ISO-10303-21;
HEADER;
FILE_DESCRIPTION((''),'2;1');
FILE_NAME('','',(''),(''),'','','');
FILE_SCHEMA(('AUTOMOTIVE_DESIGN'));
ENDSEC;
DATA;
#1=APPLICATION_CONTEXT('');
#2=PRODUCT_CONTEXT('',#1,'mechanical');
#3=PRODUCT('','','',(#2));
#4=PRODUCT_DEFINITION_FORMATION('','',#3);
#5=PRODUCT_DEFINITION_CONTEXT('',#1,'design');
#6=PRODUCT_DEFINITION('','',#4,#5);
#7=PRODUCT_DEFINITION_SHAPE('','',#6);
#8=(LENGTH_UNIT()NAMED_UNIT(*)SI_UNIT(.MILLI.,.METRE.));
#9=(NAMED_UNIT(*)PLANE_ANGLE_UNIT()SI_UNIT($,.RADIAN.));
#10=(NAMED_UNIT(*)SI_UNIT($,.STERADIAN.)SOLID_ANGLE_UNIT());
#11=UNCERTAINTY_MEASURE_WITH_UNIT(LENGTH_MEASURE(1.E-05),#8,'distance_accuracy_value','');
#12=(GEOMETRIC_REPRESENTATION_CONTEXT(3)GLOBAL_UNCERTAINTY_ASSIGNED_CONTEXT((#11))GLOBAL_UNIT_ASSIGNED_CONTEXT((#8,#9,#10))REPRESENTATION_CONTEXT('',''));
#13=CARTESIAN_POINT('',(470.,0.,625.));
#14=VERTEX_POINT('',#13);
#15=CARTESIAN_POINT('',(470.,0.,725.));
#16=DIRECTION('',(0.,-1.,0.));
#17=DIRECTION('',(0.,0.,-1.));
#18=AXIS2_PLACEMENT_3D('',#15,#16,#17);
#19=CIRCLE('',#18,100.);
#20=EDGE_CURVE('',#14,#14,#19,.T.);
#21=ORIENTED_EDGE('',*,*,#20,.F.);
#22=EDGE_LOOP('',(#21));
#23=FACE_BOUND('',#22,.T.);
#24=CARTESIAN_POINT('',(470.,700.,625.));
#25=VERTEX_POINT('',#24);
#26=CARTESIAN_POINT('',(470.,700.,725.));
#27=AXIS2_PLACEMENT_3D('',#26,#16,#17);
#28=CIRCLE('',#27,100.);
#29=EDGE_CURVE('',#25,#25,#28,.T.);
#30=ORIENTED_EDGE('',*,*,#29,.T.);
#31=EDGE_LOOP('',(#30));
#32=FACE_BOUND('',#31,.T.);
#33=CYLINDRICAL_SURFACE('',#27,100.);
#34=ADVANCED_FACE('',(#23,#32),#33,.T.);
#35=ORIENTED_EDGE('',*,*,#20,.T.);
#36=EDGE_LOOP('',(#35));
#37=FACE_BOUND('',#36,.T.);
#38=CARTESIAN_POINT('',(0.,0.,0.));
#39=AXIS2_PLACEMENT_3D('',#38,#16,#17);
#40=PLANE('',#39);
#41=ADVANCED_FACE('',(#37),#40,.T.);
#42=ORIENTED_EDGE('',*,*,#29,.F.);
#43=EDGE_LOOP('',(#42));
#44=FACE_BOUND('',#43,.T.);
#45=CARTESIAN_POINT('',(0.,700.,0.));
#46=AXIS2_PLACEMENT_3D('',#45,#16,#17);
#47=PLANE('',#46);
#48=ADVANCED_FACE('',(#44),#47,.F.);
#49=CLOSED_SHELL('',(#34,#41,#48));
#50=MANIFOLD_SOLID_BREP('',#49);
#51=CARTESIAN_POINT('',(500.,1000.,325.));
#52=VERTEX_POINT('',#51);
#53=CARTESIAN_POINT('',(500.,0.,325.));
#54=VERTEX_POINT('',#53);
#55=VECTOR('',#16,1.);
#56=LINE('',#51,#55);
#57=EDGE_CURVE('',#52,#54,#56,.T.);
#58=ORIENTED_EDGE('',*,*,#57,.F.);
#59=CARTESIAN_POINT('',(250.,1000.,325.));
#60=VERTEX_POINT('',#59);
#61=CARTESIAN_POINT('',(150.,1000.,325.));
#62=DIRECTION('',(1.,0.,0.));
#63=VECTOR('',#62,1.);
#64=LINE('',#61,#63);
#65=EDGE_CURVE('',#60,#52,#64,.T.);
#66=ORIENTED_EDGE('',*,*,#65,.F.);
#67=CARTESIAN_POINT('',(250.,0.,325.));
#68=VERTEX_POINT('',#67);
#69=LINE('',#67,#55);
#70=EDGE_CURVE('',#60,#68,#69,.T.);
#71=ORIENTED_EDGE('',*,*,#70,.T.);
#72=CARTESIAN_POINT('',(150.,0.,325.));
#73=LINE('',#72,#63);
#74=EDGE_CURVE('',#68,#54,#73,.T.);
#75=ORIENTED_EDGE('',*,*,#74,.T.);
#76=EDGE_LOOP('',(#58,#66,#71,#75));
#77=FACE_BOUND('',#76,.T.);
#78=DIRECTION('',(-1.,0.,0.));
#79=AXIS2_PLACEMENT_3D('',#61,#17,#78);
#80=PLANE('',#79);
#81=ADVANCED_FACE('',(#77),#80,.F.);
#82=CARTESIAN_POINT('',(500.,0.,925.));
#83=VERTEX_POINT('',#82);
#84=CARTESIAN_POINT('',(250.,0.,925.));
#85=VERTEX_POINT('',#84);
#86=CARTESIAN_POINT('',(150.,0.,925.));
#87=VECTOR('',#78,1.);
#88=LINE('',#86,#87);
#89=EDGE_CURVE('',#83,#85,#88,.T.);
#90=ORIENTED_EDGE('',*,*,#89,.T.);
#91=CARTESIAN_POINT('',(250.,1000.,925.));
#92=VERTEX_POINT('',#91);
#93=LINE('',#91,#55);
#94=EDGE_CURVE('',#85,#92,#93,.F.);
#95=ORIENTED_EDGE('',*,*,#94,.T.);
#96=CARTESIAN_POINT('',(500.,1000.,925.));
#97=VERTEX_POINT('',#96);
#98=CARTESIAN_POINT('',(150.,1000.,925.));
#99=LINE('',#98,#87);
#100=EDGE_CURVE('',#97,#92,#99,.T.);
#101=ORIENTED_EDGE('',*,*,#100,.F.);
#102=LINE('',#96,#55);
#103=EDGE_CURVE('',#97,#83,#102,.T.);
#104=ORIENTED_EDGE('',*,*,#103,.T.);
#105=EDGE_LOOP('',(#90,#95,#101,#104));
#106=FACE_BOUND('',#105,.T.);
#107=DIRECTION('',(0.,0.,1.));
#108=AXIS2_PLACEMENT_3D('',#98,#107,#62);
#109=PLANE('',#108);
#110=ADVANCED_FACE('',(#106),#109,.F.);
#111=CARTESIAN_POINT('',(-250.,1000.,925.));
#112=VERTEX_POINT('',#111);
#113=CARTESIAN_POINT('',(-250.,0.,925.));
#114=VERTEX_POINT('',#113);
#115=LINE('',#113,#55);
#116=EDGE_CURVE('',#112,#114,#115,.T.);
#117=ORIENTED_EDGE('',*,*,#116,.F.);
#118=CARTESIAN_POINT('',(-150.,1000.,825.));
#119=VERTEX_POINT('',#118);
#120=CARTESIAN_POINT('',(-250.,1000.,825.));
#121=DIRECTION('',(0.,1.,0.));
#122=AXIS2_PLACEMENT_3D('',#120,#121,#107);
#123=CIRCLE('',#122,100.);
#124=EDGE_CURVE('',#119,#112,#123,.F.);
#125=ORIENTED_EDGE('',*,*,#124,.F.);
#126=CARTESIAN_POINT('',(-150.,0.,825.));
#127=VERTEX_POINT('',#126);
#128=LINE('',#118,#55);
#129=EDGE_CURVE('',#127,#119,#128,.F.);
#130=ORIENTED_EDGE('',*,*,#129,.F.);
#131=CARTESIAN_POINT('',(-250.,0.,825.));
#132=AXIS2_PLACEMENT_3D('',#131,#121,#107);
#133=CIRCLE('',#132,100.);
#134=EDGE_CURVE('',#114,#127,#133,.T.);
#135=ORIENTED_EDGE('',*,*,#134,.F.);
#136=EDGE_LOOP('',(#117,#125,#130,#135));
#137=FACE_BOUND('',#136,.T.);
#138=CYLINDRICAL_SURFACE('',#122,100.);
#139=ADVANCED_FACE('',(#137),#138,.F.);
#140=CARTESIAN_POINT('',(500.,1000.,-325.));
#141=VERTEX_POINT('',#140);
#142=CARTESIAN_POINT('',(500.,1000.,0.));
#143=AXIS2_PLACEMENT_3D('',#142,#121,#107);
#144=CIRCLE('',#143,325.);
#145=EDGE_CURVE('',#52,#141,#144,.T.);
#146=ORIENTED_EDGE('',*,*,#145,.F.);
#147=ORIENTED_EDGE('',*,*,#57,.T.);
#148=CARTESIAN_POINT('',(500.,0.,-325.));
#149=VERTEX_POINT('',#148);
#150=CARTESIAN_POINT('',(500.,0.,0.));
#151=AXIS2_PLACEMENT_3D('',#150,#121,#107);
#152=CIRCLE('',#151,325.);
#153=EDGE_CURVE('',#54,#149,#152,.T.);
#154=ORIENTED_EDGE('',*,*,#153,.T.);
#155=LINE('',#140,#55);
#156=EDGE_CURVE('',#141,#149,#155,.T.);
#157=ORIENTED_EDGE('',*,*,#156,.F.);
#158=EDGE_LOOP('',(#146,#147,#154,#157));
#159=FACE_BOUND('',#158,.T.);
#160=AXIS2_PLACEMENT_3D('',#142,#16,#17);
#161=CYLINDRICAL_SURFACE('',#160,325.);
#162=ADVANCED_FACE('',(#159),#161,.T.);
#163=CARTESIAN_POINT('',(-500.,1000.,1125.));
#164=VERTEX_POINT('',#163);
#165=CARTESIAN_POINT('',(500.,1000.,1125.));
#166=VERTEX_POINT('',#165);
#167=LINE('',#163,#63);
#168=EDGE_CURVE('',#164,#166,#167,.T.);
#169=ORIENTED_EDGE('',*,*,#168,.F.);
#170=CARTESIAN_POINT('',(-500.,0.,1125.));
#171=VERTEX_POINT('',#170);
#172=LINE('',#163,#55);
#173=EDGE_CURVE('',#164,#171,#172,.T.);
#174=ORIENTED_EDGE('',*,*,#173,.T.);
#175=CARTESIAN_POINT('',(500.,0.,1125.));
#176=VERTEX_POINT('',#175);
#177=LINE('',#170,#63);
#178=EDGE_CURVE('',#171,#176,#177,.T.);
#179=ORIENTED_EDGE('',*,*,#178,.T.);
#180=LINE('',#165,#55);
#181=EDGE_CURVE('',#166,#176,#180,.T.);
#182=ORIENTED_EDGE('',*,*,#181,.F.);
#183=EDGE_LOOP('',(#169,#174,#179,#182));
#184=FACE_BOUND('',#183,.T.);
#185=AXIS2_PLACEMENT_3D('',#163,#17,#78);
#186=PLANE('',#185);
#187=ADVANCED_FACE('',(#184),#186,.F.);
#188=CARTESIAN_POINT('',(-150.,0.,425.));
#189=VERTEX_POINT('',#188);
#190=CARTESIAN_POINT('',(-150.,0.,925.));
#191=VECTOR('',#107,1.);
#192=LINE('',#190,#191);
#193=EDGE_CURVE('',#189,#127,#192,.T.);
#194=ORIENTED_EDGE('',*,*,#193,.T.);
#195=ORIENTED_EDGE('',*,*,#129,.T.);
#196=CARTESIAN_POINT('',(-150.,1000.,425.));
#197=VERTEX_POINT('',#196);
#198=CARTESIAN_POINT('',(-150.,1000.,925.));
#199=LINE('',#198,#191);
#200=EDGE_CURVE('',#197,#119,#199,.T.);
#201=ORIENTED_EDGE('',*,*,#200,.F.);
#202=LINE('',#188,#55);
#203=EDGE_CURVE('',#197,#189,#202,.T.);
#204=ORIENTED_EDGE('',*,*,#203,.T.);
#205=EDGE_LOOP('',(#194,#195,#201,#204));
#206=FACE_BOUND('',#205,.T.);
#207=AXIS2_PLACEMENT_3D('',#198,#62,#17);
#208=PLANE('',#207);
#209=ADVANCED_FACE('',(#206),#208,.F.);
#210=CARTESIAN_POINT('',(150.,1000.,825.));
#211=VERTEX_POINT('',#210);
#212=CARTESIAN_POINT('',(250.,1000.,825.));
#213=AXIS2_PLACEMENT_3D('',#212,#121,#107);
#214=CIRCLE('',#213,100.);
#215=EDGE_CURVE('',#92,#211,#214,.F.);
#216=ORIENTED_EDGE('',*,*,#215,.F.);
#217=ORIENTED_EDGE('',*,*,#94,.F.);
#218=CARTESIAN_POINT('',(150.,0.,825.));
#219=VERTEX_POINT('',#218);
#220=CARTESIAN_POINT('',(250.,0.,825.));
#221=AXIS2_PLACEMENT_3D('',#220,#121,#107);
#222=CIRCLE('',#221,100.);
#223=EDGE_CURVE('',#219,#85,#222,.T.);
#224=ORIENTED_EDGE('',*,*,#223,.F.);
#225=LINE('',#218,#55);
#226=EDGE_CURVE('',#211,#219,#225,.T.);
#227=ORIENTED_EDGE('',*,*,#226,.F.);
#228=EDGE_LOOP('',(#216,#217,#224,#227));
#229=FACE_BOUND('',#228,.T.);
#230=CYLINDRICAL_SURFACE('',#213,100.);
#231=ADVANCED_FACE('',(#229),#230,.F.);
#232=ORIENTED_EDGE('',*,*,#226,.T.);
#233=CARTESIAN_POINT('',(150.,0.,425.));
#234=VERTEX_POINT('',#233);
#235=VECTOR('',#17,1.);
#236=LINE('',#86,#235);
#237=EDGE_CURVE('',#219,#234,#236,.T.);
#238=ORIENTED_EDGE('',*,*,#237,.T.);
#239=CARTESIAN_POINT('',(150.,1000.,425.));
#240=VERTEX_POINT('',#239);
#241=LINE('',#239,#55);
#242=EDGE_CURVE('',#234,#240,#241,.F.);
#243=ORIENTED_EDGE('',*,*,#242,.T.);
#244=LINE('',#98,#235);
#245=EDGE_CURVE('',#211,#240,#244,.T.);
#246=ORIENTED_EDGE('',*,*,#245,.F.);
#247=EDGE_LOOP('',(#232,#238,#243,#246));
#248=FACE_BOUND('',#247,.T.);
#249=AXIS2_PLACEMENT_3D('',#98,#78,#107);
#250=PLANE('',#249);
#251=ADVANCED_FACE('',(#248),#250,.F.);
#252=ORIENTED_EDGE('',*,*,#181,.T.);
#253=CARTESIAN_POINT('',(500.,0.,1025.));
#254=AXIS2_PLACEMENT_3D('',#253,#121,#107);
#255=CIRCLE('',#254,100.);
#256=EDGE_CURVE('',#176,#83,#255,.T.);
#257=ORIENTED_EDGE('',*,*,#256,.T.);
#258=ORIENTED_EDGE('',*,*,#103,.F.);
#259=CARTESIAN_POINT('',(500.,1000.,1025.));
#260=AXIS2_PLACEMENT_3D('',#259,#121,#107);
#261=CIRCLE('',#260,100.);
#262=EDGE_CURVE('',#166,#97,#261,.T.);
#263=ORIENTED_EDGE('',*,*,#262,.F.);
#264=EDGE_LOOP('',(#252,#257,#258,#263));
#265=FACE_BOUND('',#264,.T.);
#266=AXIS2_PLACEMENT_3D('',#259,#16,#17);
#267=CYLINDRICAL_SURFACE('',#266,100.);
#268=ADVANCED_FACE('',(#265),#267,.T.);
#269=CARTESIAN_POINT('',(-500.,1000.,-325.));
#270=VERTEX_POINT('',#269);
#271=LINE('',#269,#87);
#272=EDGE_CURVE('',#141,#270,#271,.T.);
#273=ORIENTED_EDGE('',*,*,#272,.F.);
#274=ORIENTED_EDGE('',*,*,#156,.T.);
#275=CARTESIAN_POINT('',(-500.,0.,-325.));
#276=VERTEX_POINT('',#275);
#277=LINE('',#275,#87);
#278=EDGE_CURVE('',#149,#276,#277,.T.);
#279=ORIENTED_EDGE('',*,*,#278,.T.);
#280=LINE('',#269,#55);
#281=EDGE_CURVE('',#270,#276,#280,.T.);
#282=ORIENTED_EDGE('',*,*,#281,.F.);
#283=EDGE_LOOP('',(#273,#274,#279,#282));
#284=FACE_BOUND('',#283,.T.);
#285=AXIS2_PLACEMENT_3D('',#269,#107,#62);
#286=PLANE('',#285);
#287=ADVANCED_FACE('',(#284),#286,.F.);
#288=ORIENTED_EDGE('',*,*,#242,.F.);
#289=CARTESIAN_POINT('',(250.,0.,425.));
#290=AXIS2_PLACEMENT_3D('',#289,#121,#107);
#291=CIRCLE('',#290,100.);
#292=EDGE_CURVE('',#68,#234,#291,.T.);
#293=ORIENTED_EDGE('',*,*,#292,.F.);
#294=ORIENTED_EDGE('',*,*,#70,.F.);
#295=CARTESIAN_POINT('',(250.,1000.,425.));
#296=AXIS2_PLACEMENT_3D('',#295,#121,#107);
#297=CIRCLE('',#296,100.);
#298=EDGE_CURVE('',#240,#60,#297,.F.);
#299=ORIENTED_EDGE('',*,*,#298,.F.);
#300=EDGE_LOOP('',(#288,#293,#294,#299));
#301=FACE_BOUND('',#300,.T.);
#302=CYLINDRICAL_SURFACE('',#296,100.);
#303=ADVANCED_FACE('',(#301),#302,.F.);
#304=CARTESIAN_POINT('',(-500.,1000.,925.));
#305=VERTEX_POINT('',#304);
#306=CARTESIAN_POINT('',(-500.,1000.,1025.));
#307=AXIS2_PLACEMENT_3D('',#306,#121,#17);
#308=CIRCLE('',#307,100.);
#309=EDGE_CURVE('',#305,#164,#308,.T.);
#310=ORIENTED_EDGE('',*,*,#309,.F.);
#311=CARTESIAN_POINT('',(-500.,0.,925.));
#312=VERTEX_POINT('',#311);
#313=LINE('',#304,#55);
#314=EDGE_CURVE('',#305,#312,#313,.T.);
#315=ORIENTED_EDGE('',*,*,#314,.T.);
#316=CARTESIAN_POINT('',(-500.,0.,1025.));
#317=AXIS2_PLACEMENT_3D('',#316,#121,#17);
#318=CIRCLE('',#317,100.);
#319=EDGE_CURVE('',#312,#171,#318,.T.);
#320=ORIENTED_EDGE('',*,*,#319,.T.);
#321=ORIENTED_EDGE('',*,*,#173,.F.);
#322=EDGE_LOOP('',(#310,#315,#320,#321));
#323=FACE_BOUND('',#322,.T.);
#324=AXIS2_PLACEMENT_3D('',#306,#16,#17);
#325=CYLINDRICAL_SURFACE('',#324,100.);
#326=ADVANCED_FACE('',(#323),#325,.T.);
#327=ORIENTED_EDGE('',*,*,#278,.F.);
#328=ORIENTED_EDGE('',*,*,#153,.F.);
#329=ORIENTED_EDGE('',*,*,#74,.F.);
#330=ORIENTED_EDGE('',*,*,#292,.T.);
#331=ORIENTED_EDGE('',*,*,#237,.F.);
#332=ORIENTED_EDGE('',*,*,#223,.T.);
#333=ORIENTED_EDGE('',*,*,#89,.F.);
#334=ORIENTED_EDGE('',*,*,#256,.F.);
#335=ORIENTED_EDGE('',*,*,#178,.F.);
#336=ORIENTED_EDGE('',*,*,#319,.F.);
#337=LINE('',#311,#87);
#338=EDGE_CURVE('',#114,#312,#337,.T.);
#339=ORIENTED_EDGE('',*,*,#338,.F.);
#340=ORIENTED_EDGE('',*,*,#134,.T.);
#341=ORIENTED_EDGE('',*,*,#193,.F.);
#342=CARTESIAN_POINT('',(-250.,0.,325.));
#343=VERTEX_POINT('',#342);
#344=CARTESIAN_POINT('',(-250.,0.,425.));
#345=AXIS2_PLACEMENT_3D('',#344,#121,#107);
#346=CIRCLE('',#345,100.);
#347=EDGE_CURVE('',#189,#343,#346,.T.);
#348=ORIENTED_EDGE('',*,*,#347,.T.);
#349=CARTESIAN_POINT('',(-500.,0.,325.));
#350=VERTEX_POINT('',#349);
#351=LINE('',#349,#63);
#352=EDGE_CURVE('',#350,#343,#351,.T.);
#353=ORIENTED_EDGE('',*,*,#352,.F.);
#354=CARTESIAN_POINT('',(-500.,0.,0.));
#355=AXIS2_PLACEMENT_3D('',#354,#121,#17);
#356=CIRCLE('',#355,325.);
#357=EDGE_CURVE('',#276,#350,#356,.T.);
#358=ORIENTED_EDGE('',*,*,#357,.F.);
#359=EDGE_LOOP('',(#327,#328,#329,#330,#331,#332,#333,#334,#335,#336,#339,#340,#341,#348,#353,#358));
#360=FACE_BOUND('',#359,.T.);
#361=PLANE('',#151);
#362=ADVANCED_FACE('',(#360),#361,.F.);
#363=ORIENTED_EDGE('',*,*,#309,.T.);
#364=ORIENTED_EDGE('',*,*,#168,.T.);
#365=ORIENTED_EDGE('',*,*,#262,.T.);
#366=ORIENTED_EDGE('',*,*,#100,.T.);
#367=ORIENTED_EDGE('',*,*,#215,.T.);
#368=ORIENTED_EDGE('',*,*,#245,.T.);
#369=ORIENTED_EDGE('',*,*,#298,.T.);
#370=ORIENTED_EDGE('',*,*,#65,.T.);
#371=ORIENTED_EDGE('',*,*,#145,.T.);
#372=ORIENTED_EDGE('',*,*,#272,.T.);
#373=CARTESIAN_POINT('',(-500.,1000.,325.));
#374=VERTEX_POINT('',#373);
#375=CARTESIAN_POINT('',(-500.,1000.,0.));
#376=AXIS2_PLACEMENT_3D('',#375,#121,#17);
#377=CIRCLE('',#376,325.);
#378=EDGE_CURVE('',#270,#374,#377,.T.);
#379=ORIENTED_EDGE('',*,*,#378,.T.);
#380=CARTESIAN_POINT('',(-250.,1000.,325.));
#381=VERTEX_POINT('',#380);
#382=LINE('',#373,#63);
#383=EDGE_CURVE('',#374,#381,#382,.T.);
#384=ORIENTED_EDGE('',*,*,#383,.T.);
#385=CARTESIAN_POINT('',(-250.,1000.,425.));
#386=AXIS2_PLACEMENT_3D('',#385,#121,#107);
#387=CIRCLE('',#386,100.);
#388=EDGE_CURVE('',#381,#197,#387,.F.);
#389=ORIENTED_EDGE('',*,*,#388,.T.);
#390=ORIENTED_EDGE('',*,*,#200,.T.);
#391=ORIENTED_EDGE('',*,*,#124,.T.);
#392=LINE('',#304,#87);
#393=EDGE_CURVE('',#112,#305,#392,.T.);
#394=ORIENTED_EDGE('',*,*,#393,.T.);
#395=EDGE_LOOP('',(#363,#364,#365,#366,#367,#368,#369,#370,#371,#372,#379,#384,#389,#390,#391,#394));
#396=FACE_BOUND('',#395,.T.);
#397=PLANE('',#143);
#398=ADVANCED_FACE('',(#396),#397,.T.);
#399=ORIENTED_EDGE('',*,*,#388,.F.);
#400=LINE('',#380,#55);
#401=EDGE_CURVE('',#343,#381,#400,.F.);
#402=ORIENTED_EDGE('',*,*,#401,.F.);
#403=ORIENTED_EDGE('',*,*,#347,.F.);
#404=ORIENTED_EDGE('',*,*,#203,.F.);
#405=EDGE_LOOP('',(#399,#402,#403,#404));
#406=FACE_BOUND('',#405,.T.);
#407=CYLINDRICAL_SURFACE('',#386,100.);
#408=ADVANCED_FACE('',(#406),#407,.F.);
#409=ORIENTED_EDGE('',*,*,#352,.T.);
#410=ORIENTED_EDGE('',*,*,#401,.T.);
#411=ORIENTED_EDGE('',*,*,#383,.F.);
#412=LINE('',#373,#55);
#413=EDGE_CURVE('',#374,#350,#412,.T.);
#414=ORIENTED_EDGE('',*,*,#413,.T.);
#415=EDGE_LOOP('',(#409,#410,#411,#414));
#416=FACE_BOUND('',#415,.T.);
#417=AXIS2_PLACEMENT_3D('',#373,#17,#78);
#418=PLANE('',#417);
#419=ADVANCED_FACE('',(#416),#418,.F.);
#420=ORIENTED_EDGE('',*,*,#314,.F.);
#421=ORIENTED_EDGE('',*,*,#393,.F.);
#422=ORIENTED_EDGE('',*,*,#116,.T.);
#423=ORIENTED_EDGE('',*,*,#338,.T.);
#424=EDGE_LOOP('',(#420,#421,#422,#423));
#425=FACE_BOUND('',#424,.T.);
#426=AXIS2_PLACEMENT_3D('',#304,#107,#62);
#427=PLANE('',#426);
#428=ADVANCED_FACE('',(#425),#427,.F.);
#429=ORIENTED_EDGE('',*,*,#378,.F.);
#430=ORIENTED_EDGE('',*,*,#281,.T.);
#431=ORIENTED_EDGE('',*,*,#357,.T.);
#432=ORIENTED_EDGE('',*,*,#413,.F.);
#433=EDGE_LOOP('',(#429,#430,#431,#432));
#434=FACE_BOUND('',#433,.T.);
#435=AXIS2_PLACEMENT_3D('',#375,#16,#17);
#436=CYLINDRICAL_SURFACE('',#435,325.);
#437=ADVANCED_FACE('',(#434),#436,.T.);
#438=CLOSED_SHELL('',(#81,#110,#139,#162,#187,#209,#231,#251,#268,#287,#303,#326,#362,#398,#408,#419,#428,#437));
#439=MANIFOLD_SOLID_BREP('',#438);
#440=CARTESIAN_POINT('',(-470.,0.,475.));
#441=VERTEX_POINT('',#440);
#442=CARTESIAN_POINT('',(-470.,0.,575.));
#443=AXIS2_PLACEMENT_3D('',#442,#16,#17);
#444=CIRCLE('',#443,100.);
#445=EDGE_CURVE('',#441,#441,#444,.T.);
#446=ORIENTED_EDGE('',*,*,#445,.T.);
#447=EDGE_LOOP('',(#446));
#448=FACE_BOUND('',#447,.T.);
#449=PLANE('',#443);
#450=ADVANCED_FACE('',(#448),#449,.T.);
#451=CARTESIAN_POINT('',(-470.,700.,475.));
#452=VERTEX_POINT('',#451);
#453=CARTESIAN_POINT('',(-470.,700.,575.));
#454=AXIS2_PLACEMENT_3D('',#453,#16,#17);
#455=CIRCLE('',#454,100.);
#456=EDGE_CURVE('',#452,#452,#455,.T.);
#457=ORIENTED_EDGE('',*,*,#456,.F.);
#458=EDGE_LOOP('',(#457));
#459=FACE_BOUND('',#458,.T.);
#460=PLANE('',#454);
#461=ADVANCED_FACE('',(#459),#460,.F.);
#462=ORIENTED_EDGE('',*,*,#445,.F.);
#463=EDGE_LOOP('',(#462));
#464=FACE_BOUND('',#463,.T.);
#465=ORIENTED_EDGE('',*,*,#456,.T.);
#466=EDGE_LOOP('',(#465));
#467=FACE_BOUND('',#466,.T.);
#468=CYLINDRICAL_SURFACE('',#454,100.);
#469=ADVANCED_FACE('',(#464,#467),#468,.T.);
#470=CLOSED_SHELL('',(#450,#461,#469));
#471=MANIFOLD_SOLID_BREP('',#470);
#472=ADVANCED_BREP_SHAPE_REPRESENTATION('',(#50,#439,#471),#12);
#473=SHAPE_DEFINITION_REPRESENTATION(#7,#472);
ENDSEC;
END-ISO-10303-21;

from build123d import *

# Parameters (mm, degrees)
BOSS_EXTRUDE1_DEPTH   = 1000
FILLET1_R             = 100
SKETCH2_R             = 100
BOSS_EXTRUDE2_DEPTH   = 700
BOSS_EXTRUDE2_2_DEPTH = 700


with BuildPart() as part:
    # Sketch1 → Boss-Extrude1 (new body)
    with BuildSketch(Plane(origin=(0, 0, 0), x_dir=(1, 0, 0), z_dir=(0, 1, 0))):
        with BuildLine():
            Line((150, -325), (500, -325))
            ThreePointArc((500, -325), (825, 0), (500, 325))
            Line((500, 325), (-500, 325))
            ThreePointArc((-500, 325), (-825, 0), (-500, -325))
            Line((-500, -325), (-150, -325))
            Line((-150, -325), (-150, -925))
            Line((-150, -925), (-500, -925))
            ThreePointArc((-500, -925), (-600, -1025), (-500, -1125))
            Line((-500, -1125), (500, -1125))
            ThreePointArc((500, -1125), (600, -1025), (500, -925))
            Line((500, -925), (150, -925))
            Line((150, -925), (150, -325))
        make_face()
    extrude(amount=BOSS_EXTRUDE1_DEPTH)

    # Fillet1
    fillet1_edges = [part.edges().sort_by_distance(p)[0] for p in [
        (150, 500, 325),
        (150, 500, 925),
        (-150, 500, 925),
        (-150, 500, 325),
    ]]
    fillet(fillet1_edges, radius=FILLET1_R)


with BuildPart() as body_2:
    # Sketch2 → Boss-Extrude2 (new body)
    with BuildSketch(Plane.XZ):
        with Locations(Location((470, 725, 0), (0, 0, 270))):
            Circle(SKETCH2_R)
    extrude(amount=-BOSS_EXTRUDE2_DEPTH)


with BuildPart() as body_3:
    # Sketch2 → Boss-Extrude2 2 (new body)
    with BuildSketch(Plane.XZ):
        with Locations(Location((-470, 575, 0), (0, 0, 270))):
            Circle(SKETCH2_R)
    extrude(amount=-BOSS_EXTRUDE2_2_DEPTH)


solid = Compound([part.part, body_2.part, body_3.part])
